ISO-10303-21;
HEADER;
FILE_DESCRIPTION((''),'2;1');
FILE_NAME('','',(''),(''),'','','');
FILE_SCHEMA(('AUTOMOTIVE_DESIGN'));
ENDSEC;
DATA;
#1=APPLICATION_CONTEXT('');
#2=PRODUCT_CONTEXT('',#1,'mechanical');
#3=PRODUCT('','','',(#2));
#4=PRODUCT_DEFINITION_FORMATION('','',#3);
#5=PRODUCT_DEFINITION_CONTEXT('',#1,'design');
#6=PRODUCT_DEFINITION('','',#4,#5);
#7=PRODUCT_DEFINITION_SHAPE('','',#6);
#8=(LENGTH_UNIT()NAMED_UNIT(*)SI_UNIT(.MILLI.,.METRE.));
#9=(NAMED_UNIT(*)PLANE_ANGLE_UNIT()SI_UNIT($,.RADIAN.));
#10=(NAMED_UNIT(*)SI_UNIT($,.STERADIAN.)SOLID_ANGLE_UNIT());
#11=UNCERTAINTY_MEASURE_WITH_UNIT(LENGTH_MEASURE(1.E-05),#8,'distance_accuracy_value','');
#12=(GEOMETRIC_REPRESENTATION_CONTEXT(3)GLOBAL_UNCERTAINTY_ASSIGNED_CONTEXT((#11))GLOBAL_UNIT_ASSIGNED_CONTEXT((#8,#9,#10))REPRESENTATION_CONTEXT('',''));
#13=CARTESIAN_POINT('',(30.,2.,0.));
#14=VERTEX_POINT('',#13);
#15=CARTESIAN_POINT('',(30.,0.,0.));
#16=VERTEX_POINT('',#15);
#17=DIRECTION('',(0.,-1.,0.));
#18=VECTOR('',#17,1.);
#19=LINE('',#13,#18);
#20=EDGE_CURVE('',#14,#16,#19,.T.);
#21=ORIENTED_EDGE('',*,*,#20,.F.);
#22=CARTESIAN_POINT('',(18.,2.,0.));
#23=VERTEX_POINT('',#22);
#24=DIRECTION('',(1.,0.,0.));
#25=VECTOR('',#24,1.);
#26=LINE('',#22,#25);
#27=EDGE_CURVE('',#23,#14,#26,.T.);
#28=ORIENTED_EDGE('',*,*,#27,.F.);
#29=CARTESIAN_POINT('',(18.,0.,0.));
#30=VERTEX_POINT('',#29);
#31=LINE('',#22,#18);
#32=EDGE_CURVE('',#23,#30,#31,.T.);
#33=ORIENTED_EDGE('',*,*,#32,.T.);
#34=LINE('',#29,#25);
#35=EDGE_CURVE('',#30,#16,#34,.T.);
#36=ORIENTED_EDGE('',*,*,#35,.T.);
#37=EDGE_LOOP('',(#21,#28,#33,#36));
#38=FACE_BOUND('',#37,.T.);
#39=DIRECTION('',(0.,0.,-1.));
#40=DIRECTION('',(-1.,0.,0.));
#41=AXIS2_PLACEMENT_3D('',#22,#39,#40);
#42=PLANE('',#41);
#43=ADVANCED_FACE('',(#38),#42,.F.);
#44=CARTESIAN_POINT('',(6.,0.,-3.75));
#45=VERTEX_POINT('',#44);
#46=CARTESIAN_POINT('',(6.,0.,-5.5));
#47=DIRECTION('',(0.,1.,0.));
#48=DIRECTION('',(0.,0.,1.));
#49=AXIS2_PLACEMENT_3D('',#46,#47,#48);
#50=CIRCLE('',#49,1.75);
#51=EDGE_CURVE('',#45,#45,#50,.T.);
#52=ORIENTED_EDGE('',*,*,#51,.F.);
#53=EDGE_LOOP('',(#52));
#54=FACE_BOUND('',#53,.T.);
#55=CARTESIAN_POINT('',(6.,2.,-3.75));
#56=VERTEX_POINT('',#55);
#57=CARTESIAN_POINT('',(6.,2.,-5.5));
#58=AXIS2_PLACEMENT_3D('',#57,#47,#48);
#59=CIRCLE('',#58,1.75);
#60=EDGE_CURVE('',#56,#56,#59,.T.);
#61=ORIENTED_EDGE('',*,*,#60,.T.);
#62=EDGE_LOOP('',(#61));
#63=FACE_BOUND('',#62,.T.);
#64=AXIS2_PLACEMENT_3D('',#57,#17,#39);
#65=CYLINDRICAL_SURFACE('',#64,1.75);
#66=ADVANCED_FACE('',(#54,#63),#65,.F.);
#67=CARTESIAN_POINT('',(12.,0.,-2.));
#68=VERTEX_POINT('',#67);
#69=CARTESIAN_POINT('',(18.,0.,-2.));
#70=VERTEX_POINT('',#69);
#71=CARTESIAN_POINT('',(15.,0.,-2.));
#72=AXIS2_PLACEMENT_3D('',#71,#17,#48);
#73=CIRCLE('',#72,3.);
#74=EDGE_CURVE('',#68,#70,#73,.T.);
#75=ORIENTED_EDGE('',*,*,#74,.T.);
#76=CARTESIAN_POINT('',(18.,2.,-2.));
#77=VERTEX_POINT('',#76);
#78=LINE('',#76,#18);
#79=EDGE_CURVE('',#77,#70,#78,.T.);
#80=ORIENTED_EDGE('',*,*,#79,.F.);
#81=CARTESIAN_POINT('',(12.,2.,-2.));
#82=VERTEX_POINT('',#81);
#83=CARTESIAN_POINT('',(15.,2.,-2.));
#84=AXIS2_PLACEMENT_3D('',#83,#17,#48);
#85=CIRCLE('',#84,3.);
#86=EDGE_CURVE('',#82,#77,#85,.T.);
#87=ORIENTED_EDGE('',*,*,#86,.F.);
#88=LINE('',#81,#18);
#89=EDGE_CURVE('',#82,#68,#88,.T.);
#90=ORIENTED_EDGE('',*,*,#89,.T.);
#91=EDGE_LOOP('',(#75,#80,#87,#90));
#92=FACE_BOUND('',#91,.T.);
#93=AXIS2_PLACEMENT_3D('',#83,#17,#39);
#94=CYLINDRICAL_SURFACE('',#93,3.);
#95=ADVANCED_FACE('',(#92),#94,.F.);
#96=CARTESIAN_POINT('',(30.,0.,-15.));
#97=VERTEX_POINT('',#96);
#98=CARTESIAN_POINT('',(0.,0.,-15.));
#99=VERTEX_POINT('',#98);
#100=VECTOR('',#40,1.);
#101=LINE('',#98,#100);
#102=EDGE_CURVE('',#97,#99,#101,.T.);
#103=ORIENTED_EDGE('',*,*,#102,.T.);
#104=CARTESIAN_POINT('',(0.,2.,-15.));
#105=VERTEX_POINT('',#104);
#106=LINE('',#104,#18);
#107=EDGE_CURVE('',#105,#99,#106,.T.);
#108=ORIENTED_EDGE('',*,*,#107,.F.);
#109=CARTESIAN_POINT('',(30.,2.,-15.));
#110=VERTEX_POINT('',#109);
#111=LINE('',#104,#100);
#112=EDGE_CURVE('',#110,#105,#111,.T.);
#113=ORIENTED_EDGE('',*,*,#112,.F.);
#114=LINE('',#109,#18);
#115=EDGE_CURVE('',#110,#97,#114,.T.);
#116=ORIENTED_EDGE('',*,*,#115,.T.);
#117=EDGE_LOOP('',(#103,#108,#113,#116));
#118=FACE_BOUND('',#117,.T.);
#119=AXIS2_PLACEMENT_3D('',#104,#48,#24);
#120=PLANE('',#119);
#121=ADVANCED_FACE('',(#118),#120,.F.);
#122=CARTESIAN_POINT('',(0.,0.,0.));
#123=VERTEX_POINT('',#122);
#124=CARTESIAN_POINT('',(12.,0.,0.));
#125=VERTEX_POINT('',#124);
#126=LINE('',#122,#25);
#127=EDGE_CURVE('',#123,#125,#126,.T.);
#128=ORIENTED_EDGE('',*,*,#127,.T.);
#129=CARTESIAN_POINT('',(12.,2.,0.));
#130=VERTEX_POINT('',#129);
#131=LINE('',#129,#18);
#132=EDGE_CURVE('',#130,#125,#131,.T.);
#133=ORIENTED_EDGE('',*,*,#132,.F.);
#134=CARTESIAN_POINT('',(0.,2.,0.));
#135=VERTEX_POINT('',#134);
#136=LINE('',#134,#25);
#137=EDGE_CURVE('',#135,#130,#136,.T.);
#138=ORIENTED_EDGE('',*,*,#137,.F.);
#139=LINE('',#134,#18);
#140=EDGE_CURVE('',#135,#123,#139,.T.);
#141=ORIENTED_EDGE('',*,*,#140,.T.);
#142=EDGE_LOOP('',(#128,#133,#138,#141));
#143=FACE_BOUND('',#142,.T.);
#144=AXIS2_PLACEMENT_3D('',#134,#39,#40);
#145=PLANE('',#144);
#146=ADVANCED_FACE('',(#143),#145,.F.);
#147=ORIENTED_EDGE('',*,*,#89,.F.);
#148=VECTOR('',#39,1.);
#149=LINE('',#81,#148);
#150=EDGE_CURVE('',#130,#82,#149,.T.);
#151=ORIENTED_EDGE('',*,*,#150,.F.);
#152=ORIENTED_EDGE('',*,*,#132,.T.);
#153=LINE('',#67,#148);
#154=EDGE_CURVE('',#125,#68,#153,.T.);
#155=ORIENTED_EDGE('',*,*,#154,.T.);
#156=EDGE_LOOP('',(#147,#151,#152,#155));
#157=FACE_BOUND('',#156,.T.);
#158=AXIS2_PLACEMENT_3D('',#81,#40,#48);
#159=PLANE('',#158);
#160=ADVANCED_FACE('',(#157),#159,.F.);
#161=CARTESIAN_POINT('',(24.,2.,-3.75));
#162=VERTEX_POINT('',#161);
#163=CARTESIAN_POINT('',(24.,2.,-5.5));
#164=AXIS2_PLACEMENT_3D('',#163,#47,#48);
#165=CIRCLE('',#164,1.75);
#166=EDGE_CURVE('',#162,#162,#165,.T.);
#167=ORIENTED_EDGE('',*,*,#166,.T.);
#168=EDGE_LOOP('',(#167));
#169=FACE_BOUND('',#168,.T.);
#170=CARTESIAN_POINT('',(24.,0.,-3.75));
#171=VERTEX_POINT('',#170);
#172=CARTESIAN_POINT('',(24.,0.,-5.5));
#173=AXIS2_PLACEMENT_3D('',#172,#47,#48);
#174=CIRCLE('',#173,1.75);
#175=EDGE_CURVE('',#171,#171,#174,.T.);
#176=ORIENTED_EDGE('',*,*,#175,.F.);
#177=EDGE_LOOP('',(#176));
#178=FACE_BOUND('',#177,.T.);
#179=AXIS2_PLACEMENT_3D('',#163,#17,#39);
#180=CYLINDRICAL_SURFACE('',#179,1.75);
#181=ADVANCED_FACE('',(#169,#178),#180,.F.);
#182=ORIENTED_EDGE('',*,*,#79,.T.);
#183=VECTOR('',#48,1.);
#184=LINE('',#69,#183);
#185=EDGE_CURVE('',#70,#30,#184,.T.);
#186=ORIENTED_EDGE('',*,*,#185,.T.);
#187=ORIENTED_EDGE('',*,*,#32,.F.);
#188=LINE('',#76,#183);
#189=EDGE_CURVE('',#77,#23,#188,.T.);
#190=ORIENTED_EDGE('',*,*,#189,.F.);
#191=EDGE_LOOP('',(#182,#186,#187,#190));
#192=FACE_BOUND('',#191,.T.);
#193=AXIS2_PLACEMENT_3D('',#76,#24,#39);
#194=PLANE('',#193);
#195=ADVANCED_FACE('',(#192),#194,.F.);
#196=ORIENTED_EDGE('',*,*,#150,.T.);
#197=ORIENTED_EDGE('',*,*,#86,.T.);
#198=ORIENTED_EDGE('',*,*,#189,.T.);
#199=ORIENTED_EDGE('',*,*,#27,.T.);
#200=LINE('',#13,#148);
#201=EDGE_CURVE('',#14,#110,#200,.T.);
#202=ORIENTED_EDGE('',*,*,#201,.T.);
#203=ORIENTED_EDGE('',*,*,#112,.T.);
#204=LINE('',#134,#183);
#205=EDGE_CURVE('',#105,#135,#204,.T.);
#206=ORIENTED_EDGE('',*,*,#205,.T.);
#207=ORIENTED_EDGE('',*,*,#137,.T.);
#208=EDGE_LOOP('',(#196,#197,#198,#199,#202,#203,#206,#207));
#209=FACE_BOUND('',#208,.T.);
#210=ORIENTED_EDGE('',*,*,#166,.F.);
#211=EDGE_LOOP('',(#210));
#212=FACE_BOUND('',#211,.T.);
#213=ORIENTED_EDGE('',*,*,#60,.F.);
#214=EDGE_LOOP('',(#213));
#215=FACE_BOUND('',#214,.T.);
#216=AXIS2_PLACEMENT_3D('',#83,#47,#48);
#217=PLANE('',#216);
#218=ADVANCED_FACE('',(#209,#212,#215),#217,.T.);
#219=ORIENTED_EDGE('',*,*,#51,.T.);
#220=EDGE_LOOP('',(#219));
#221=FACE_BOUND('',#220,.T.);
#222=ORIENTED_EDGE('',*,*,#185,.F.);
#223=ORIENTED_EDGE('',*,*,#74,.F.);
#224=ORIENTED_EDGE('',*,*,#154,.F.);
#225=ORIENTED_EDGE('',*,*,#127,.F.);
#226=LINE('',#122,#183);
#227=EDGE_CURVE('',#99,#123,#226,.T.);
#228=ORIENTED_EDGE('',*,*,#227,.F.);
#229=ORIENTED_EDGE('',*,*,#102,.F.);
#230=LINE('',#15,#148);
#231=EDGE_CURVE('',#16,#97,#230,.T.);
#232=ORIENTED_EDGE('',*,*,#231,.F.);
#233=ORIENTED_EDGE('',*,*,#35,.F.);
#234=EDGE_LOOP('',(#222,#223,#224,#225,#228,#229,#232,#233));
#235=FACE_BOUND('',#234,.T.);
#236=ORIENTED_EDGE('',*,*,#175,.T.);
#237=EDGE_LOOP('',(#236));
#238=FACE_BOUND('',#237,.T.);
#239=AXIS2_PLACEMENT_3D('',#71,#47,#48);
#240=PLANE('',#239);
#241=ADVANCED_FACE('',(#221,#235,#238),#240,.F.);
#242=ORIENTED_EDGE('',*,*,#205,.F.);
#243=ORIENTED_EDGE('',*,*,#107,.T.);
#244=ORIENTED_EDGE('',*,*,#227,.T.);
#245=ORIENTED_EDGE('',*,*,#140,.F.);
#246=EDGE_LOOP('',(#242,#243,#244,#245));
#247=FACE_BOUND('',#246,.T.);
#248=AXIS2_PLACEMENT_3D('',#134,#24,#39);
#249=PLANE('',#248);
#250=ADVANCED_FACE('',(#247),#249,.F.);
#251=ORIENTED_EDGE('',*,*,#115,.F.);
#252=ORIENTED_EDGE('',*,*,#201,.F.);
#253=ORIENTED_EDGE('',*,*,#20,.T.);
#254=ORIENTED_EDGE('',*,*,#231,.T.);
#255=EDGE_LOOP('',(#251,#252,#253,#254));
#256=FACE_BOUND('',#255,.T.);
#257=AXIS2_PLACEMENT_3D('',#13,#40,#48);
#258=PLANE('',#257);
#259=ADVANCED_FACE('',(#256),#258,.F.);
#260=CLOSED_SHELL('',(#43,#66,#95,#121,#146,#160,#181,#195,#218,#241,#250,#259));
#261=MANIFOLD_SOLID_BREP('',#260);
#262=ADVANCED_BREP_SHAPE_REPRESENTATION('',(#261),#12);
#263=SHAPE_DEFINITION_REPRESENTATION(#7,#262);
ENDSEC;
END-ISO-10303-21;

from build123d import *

# Parameters (mm, degrees)
SKETCH_1_R      = 1.75
EXTRUDE_1_DEPTH = 2


with BuildPart() as part:
    # 草圖1 → 填料-伸長1 (new body)
    with BuildSketch(Plane(origin=(0, 0, 0), x_dir=(1, 0, 0), z_dir=(0, 1, 0))):
        with BuildLine():
            Line((0, 0), (12, 0))
            Line((12, 0), (12, 2))
            ThreePointArc((12, 2), (15, 5), (18, 2))
            Line((18, 2), (18, 0))
            Line((18, 0), (30, 0))
            Line((30, 0), (30, 15))
            Line((30, 15), (0, 15))
            Line((0, 15), (0, 0))
        make_face()
        with Locations(Location((24, 5.5, 0), (0, 0, 270))):
            Circle(SKETCH_1_R, mode=Mode.SUBTRACT)
        with Locations(Location((6, 5.5, 0), (0, 0, 270))):
            Circle(SKETCH_1_R, mode=Mode.SUBTRACT)
    extrude(amount=EXTRUDE_1_DEPTH)


solid = part.part
